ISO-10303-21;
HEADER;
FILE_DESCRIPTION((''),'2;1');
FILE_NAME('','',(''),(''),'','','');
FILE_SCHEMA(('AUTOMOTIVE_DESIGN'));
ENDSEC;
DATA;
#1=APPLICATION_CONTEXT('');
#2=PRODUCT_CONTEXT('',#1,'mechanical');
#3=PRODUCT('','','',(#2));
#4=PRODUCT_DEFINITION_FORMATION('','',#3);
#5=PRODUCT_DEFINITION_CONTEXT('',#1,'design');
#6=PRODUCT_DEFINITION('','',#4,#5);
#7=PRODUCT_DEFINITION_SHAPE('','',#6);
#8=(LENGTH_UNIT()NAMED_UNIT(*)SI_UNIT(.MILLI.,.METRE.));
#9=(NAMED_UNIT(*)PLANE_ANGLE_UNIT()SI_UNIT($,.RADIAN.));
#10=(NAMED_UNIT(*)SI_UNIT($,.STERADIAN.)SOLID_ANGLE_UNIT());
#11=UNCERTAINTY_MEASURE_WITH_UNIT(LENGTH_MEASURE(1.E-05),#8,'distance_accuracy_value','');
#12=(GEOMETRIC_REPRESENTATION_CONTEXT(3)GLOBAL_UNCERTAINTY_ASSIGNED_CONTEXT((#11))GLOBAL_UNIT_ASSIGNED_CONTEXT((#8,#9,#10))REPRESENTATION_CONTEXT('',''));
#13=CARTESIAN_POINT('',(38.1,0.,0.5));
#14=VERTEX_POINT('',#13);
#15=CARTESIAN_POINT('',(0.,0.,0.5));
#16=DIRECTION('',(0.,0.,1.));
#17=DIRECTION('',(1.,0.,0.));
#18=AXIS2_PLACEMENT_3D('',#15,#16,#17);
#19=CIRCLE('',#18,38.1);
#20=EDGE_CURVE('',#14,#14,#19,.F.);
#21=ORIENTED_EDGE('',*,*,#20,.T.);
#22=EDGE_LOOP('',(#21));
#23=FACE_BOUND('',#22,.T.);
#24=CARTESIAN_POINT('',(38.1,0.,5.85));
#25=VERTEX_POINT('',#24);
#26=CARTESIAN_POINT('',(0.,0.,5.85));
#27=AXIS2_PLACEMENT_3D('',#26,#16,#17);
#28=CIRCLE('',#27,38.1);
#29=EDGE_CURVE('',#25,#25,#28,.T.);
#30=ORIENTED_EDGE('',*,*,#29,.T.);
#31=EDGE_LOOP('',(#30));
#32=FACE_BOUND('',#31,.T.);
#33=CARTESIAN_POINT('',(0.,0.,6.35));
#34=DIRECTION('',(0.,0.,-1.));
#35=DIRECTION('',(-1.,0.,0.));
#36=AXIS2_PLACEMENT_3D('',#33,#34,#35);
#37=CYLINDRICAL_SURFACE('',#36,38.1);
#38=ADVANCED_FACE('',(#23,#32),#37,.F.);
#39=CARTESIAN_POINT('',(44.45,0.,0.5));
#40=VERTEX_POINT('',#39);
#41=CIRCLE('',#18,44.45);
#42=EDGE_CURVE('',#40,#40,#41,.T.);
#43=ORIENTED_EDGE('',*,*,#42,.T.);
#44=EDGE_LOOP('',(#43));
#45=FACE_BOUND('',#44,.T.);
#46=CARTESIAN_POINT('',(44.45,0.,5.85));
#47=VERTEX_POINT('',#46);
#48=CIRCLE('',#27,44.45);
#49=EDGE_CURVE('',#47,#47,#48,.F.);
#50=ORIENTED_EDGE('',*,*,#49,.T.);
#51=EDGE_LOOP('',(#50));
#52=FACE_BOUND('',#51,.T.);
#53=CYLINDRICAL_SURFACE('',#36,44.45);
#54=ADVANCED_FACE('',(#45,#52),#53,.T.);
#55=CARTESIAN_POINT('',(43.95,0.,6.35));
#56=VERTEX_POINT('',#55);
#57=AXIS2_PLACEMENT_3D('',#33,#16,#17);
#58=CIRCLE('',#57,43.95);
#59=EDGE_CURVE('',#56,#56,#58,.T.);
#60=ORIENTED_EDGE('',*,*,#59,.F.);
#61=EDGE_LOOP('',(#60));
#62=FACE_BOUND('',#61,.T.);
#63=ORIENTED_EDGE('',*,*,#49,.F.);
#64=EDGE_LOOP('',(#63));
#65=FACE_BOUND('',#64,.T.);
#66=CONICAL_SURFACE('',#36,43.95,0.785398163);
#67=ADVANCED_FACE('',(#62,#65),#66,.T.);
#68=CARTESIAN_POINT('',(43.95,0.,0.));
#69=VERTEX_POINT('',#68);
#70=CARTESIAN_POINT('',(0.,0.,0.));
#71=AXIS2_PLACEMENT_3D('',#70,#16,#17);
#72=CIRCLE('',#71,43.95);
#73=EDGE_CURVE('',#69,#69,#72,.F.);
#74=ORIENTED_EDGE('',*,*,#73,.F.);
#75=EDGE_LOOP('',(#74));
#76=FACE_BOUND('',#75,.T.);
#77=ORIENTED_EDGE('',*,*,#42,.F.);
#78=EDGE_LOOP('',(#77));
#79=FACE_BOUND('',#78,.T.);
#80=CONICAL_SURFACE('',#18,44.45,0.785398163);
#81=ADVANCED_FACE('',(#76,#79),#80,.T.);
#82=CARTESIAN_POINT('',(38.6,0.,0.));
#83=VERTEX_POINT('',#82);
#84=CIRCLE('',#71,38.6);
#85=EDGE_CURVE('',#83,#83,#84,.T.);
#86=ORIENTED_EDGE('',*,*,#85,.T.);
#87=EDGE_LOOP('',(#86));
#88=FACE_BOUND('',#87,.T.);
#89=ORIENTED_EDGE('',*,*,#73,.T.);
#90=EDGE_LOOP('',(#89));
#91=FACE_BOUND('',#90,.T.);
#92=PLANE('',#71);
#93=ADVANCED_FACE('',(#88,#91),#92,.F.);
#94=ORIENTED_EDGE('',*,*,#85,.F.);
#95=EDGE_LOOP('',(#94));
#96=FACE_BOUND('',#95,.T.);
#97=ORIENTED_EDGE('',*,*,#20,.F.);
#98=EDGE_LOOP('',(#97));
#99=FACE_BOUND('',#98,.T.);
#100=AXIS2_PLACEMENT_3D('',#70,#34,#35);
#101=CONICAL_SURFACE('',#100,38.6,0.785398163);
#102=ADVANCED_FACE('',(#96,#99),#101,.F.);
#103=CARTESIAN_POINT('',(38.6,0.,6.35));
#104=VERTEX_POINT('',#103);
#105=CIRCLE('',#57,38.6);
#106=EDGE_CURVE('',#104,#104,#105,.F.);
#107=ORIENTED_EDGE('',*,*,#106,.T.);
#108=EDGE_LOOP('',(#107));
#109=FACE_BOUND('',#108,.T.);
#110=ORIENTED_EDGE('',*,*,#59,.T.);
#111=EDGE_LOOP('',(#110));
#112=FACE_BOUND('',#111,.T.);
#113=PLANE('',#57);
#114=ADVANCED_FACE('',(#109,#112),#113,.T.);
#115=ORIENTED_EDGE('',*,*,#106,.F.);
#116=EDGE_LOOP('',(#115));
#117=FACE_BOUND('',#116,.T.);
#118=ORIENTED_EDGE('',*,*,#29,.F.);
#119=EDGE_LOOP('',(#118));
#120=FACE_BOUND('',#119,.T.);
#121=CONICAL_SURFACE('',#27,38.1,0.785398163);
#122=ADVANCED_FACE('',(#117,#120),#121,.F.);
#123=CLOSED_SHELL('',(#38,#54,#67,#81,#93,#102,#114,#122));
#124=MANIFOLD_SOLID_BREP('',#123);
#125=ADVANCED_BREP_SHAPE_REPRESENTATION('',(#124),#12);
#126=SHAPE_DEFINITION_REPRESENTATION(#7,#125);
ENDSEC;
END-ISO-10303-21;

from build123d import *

# Parameters (mm, degrees)
SKETCH_1_R      = 44.45
SKETCH_1_R_2    = 38.1
EXTRUDE_1_DEPTH = 6.35
CHAMFER_1_SIZE  = 0.5


with BuildPart() as part:
    # 草图1 → 凸台-拉伸1 (new body)
    with BuildSketch(Plane.XY):
        Circle(SKETCH_1_R)
        Circle(SKETCH_1_R_2, mode=Mode.SUBTRACT)
    extrude(amount=EXTRUDE_1_DEPTH)

    # 倒角1
    chamfer_1_edges = [part.edges().sort_by_distance(p)[0] for p in [
        (-44.45, 0, 0),
        (-44.45, 0, 6.35),
        (-38.1, 0, 0),
        (-38.1, 0, 6.35),
    ]]
    chamfer(chamfer_1_edges, length=CHAMFER_1_SIZE)


solid = part.part
